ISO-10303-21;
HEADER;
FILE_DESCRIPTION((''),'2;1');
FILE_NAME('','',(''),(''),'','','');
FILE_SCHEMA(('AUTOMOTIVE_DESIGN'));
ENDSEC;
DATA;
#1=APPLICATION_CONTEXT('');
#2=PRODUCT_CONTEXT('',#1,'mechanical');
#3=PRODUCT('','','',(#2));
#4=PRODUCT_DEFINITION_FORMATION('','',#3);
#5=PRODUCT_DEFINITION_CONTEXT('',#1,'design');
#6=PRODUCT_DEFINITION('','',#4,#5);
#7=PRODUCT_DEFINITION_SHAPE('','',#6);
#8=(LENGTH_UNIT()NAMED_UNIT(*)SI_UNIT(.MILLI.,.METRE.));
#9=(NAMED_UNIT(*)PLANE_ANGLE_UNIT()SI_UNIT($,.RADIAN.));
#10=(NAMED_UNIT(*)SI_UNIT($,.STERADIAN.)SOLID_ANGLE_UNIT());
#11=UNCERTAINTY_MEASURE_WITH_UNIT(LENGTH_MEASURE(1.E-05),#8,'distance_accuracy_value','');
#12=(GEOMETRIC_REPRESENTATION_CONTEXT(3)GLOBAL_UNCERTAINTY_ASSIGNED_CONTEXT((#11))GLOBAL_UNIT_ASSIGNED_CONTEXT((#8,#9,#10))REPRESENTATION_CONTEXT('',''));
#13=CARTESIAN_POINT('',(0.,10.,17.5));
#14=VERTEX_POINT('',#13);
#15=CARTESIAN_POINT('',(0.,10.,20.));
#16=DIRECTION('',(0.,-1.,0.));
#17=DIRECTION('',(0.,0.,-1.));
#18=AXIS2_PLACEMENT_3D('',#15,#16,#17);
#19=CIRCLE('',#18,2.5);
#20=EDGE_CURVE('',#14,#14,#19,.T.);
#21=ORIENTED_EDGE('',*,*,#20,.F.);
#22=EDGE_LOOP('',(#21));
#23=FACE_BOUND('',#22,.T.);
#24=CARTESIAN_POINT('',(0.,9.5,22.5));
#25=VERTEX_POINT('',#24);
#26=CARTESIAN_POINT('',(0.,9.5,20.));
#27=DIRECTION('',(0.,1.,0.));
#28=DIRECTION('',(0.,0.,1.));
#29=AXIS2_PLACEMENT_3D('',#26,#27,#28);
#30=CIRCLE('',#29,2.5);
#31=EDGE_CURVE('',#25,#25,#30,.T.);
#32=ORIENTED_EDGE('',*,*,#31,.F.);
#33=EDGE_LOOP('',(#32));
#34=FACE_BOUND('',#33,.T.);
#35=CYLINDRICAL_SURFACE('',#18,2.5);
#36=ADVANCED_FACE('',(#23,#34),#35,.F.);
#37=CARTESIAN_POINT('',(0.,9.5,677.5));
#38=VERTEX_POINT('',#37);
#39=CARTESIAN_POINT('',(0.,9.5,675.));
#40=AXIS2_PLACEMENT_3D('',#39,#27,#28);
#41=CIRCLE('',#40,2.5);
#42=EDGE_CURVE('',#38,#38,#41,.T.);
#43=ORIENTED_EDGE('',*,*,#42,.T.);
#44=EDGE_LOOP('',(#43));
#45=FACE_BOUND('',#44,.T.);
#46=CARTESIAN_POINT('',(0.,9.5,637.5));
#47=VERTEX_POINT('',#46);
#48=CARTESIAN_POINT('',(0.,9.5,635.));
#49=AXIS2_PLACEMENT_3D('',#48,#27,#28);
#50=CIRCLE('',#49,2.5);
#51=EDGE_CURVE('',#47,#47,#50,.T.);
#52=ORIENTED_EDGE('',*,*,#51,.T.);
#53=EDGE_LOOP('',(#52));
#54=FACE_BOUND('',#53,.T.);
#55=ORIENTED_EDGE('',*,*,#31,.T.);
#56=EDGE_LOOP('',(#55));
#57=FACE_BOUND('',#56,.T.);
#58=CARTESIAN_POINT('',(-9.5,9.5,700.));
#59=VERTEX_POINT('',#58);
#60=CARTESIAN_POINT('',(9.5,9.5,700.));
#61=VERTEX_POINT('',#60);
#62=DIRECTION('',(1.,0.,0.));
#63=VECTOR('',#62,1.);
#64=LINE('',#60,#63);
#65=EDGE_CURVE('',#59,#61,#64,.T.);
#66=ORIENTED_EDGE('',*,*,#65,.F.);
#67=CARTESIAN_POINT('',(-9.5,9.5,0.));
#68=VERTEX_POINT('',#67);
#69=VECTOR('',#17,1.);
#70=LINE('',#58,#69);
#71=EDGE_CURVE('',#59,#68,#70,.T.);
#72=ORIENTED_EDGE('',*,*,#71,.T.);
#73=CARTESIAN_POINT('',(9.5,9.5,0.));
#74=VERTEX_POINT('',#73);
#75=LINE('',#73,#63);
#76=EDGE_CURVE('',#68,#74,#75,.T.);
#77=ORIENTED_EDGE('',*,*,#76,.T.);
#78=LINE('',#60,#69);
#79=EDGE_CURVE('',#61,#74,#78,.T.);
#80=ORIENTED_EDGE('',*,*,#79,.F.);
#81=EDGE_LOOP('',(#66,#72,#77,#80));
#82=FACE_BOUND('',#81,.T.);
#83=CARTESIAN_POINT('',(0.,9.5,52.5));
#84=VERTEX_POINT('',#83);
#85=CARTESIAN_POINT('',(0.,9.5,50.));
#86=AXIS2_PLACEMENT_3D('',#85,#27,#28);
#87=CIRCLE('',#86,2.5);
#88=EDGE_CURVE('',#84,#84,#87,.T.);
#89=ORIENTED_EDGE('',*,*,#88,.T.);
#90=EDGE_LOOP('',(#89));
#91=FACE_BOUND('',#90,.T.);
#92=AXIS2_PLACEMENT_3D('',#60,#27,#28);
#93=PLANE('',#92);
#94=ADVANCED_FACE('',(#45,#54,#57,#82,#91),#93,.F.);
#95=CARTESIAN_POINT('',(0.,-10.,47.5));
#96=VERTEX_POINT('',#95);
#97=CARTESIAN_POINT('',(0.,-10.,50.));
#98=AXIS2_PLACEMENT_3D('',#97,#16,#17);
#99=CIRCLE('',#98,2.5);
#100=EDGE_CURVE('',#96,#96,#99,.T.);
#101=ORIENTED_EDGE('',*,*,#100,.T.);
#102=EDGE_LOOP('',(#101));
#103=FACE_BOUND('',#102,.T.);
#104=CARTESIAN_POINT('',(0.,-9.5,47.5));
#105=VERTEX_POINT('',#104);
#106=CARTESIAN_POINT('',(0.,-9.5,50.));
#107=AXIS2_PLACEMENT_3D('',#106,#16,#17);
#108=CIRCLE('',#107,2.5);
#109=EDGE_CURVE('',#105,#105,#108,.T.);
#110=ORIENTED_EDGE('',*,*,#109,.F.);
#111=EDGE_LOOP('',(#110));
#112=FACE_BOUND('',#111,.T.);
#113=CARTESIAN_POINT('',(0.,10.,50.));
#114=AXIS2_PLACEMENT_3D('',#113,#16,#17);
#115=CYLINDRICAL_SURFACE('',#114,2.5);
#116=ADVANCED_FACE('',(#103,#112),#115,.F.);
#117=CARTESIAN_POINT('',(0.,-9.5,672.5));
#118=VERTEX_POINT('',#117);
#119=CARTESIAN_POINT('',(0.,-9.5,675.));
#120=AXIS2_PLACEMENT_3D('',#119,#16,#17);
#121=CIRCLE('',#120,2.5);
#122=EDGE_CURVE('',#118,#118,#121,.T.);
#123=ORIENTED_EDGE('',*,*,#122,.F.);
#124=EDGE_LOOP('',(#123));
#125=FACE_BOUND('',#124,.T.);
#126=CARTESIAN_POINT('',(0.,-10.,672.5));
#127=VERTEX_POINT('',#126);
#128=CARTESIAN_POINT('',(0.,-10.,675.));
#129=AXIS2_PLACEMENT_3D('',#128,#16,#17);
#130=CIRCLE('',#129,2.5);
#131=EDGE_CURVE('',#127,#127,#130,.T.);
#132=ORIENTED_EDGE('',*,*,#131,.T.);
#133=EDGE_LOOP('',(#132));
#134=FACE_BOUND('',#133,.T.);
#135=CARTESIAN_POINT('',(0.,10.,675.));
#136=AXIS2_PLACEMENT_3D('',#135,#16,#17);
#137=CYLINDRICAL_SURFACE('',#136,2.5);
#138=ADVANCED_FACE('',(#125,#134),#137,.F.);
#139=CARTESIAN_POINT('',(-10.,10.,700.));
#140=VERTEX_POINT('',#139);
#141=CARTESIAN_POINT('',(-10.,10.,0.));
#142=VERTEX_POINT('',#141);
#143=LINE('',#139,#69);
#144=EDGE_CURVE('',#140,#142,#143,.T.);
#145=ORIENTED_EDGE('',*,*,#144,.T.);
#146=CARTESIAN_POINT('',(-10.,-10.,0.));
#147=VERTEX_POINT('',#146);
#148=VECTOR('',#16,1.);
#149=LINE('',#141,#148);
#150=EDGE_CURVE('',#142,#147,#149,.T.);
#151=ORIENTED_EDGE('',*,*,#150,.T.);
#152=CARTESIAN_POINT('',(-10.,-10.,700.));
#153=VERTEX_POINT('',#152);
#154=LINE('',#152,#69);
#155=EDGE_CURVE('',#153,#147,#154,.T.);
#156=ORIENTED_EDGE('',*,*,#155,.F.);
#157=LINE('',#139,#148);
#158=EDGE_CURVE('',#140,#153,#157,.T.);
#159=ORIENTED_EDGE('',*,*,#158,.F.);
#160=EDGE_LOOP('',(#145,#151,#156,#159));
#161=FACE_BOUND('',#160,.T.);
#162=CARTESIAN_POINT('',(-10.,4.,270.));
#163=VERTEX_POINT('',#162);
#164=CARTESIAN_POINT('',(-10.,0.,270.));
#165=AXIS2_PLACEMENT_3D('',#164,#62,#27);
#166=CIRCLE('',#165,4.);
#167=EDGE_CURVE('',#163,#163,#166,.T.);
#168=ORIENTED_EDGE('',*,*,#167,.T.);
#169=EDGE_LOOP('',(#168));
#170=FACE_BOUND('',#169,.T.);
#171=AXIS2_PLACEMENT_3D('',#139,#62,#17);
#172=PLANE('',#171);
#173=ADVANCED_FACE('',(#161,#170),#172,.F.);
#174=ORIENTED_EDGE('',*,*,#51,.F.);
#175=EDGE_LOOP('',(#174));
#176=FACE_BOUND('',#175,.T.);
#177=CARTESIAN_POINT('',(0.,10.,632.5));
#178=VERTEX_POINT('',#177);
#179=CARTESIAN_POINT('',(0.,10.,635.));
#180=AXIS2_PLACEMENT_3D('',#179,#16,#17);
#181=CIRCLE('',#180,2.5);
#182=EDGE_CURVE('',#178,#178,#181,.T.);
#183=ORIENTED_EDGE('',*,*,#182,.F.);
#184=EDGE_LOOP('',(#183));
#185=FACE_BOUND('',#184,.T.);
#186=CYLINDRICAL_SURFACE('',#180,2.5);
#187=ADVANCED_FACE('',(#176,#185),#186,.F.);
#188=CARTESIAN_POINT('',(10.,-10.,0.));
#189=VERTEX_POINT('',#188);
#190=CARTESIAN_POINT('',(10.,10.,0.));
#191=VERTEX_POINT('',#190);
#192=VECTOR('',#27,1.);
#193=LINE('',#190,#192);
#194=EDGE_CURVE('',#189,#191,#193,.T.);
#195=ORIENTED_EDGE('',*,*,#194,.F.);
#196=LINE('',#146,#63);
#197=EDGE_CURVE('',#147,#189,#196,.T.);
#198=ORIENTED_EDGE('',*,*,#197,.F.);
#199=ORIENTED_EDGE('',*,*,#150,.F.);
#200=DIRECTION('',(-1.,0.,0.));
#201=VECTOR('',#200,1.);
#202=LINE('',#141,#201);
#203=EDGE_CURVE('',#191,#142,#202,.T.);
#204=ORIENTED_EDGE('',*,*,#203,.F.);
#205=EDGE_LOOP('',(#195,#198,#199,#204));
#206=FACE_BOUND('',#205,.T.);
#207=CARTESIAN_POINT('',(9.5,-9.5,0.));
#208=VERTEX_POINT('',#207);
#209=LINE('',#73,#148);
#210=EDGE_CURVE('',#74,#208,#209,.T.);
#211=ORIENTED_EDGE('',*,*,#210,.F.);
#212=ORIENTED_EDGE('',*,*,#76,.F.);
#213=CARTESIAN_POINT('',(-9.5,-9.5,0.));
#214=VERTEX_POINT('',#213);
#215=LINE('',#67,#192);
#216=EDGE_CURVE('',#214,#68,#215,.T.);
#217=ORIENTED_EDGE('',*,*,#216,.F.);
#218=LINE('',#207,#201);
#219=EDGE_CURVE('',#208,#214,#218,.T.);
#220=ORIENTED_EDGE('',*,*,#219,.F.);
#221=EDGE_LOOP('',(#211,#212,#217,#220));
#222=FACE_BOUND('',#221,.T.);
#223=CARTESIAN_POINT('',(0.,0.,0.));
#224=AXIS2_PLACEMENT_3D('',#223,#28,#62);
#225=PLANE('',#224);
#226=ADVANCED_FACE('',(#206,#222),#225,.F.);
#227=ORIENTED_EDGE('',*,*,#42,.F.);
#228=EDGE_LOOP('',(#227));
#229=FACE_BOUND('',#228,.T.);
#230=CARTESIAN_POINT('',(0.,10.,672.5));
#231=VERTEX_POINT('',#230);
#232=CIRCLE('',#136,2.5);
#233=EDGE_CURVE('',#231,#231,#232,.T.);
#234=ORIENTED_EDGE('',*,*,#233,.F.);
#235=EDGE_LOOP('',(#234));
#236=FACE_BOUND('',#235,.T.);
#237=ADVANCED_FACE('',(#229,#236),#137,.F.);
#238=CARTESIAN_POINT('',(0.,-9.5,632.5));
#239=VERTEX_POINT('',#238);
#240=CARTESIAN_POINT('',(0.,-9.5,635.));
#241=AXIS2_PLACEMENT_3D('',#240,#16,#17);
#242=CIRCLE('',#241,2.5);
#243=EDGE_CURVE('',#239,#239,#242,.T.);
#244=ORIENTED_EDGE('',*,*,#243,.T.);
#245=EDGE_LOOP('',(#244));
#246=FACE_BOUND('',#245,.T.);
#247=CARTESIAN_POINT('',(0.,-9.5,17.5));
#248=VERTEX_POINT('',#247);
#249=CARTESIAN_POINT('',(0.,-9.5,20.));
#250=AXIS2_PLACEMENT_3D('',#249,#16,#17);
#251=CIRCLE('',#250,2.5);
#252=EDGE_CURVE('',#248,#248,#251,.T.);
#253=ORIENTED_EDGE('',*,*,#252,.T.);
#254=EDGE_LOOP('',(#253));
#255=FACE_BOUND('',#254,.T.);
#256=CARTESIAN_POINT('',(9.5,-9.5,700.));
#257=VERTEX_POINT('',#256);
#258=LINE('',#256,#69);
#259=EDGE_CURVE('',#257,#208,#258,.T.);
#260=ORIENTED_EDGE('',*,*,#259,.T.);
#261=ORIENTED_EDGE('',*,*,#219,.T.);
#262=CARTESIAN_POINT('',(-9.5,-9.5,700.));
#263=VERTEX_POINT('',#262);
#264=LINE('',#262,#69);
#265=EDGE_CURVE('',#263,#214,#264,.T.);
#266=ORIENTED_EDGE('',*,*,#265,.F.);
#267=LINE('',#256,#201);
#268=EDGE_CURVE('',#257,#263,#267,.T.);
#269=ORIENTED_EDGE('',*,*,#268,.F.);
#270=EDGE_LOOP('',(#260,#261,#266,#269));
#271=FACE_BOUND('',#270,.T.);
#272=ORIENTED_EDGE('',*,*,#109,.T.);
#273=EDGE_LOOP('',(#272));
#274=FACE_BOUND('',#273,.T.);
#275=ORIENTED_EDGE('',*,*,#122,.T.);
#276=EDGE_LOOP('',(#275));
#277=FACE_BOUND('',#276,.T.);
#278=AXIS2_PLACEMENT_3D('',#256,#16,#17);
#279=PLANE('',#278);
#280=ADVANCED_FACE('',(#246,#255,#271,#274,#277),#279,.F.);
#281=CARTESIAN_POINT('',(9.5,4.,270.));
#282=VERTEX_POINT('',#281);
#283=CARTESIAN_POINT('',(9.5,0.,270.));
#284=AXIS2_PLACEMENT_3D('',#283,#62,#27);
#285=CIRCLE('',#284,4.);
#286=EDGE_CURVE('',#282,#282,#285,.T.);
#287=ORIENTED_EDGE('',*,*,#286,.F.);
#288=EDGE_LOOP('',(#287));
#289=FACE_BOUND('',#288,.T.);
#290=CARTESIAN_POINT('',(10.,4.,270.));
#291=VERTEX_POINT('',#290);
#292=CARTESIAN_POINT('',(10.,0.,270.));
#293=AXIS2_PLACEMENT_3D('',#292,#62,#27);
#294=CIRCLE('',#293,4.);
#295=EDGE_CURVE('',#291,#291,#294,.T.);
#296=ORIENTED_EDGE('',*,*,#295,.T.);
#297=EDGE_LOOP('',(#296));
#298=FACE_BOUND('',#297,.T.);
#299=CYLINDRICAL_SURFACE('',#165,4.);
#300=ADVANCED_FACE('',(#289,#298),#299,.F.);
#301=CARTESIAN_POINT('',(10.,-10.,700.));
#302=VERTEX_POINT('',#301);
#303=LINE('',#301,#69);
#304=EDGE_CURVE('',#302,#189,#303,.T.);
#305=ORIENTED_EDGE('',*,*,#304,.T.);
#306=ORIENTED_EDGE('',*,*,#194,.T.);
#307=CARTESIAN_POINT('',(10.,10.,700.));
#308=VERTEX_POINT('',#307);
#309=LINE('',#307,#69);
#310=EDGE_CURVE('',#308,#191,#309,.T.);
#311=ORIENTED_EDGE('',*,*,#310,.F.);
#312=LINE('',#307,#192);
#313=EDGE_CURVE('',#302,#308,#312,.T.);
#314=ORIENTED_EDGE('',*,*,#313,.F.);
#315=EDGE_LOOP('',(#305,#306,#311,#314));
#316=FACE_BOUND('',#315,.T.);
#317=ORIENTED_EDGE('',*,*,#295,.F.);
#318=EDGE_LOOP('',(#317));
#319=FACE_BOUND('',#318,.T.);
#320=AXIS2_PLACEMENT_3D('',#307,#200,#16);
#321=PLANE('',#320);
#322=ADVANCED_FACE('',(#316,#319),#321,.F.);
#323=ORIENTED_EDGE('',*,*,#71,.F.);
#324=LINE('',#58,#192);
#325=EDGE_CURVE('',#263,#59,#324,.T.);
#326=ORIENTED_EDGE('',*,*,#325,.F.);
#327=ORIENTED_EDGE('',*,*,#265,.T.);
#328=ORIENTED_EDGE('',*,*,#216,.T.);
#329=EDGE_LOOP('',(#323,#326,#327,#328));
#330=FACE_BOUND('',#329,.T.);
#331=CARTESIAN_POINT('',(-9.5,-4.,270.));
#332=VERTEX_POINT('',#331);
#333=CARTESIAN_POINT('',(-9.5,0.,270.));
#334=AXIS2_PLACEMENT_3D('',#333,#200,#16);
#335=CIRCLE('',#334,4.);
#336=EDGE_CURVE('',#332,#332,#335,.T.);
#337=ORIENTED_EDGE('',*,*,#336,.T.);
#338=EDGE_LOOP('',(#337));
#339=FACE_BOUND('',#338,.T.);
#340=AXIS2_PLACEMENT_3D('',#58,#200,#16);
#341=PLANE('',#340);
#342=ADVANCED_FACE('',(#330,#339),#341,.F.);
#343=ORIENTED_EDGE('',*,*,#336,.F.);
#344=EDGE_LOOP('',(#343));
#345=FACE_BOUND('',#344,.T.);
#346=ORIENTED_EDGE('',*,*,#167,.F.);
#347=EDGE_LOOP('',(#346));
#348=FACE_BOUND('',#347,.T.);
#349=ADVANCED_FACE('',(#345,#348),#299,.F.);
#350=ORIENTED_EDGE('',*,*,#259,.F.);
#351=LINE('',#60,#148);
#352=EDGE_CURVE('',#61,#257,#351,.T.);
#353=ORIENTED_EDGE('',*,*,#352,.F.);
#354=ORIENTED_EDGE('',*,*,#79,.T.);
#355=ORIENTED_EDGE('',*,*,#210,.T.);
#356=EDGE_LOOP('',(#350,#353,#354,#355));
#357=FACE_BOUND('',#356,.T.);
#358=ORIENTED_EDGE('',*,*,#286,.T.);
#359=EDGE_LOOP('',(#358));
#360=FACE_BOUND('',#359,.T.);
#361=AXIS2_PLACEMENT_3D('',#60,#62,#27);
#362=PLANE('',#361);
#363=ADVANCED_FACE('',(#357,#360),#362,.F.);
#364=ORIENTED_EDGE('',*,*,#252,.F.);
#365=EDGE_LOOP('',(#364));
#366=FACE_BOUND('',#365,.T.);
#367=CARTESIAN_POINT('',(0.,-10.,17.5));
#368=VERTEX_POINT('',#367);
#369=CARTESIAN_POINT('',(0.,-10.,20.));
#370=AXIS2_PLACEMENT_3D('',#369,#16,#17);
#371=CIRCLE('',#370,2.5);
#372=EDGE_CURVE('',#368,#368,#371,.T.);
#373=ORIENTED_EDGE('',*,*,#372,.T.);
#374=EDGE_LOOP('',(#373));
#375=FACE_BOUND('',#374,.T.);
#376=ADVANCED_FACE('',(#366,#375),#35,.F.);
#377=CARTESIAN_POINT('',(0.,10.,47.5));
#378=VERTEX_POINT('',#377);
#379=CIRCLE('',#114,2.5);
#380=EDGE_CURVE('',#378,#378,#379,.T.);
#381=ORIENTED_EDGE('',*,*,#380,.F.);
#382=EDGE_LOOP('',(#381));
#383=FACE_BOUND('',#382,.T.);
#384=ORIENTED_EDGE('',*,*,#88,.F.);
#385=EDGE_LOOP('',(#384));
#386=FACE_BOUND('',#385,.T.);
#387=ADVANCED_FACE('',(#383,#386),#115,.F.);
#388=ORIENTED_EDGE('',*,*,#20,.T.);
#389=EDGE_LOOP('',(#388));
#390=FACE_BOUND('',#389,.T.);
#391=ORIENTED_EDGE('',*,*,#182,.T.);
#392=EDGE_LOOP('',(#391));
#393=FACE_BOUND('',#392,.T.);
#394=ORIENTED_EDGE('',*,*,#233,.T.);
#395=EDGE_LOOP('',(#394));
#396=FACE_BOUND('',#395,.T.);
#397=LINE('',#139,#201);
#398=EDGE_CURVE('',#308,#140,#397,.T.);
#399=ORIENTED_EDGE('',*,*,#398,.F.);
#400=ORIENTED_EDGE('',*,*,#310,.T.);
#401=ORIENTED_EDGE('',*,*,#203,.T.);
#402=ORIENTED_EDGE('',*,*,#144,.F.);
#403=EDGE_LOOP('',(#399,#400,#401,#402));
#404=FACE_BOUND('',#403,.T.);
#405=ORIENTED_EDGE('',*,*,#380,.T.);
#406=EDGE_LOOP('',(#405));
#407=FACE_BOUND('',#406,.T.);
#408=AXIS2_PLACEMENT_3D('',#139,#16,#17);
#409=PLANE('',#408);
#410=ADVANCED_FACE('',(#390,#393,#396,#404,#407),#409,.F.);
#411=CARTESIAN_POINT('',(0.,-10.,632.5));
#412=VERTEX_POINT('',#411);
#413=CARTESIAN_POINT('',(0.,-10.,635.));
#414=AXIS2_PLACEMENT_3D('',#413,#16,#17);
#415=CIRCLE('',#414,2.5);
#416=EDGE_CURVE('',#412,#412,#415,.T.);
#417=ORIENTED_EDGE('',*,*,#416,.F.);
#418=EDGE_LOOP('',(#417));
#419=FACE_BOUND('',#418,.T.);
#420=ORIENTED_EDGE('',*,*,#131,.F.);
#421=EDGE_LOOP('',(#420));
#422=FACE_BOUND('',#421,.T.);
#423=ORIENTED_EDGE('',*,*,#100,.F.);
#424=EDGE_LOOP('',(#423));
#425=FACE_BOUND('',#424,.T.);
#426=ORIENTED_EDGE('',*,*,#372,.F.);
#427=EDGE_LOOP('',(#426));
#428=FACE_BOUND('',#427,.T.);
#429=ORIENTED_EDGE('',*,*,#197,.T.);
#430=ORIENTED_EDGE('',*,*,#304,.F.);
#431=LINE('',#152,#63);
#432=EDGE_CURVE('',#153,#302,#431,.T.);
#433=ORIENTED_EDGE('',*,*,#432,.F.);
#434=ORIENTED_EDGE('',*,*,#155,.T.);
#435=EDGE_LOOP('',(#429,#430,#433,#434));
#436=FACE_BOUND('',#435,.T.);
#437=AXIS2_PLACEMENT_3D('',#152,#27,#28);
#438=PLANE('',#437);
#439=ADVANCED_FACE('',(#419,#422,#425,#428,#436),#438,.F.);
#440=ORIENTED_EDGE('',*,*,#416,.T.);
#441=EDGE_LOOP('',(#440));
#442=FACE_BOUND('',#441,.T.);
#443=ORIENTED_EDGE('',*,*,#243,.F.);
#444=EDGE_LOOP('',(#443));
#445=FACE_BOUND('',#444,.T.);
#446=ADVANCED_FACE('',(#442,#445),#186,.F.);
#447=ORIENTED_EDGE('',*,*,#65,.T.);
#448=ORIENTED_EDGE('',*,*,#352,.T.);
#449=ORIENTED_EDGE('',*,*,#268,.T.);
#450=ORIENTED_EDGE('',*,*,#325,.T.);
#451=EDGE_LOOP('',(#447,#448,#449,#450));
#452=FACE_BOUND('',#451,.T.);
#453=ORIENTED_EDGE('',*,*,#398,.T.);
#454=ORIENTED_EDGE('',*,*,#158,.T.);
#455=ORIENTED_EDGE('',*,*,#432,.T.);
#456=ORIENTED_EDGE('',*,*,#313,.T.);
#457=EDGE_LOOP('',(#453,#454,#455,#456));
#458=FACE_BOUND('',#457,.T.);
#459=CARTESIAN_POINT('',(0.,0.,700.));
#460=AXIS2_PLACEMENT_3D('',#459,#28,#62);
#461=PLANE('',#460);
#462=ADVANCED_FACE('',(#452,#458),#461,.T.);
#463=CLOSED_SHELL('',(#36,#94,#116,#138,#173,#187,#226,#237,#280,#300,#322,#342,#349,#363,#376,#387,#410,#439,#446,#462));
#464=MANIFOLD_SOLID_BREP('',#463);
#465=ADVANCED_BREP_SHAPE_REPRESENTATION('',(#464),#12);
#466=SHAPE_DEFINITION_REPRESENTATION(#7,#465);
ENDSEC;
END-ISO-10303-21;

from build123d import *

# Parameters (mm, degrees)
SKETCH2_W           = 20
SKETCH2_H           = 20
BOSS_EXTRUDE1_DEPTH = 700
SKETCH3_W           = 19
SKETCH3_H           = 19
CUT_EXTRUDE1_DEPTH  = 700
SKETCH5_R           = 2.5
CUT_EXTRUDE2_DEPTH  = 20
SKETCH6_R           = 4
CUT_EXTRUDE3_DEPTH  = 20
SKETCH7_R           = 2.5
CUT_EXTRUDE4_DEPTH  = 20


with BuildPart() as part:
    # Sketch2 → Boss-Extrude1 (new body)
    with BuildSketch(Plane.XY):
        Rectangle(SKETCH2_W, SKETCH2_H)
    extrude(amount=BOSS_EXTRUDE1_DEPTH)

    # Sketch3 → Cut-Extrude1 (cut)
    with BuildSketch(Plane(origin=(0, 0, 0), x_dir=(-1, 0, 0), z_dir=(0, 0, -1))):
        Rectangle(SKETCH3_W, SKETCH3_H)
    extrude(amount=-CUT_EXTRUDE1_DEPTH, mode=Mode.SUBTRACT)

    # Sketch5 → Cut-Extrude2 (cut)
    with BuildSketch(Plane.XZ.offset(10)):
        with Locations(Location((0, 635, 0), (0, 0, 270))):
            Circle(SKETCH5_R)
        with Locations(Location((0, 675, 0), (0, 0, 270))):
            Circle(SKETCH5_R)
    extrude(amount=-CUT_EXTRUDE2_DEPTH, mode=Mode.SUBTRACT)

    # Sketch6 → Cut-Extrude3 (cut)
    with BuildSketch(Plane(origin=(10, 0, 0), x_dir=(0, 0, -1), z_dir=(1, 0, 0))):
        with Locations(Location((-270, 0, 0), (0, 0, 90))):
            Circle(SKETCH6_R)
    extrude(amount=-CUT_EXTRUDE3_DEPTH, mode=Mode.SUBTRACT)

    # Sketch7 → Cut-Extrude4 (cut)
    with BuildSketch(Plane.XZ.offset(10)):
        with Locations(Location((0, 20, 0), (0, 0, 270))):
            Circle(SKETCH7_R)
        with Locations(Location((0, 50, 0), (0, 0, 270))):
            Circle(SKETCH7_R)
    extrude(amount=-CUT_EXTRUDE4_DEPTH, mode=Mode.SUBTRACT)


solid = part.part
